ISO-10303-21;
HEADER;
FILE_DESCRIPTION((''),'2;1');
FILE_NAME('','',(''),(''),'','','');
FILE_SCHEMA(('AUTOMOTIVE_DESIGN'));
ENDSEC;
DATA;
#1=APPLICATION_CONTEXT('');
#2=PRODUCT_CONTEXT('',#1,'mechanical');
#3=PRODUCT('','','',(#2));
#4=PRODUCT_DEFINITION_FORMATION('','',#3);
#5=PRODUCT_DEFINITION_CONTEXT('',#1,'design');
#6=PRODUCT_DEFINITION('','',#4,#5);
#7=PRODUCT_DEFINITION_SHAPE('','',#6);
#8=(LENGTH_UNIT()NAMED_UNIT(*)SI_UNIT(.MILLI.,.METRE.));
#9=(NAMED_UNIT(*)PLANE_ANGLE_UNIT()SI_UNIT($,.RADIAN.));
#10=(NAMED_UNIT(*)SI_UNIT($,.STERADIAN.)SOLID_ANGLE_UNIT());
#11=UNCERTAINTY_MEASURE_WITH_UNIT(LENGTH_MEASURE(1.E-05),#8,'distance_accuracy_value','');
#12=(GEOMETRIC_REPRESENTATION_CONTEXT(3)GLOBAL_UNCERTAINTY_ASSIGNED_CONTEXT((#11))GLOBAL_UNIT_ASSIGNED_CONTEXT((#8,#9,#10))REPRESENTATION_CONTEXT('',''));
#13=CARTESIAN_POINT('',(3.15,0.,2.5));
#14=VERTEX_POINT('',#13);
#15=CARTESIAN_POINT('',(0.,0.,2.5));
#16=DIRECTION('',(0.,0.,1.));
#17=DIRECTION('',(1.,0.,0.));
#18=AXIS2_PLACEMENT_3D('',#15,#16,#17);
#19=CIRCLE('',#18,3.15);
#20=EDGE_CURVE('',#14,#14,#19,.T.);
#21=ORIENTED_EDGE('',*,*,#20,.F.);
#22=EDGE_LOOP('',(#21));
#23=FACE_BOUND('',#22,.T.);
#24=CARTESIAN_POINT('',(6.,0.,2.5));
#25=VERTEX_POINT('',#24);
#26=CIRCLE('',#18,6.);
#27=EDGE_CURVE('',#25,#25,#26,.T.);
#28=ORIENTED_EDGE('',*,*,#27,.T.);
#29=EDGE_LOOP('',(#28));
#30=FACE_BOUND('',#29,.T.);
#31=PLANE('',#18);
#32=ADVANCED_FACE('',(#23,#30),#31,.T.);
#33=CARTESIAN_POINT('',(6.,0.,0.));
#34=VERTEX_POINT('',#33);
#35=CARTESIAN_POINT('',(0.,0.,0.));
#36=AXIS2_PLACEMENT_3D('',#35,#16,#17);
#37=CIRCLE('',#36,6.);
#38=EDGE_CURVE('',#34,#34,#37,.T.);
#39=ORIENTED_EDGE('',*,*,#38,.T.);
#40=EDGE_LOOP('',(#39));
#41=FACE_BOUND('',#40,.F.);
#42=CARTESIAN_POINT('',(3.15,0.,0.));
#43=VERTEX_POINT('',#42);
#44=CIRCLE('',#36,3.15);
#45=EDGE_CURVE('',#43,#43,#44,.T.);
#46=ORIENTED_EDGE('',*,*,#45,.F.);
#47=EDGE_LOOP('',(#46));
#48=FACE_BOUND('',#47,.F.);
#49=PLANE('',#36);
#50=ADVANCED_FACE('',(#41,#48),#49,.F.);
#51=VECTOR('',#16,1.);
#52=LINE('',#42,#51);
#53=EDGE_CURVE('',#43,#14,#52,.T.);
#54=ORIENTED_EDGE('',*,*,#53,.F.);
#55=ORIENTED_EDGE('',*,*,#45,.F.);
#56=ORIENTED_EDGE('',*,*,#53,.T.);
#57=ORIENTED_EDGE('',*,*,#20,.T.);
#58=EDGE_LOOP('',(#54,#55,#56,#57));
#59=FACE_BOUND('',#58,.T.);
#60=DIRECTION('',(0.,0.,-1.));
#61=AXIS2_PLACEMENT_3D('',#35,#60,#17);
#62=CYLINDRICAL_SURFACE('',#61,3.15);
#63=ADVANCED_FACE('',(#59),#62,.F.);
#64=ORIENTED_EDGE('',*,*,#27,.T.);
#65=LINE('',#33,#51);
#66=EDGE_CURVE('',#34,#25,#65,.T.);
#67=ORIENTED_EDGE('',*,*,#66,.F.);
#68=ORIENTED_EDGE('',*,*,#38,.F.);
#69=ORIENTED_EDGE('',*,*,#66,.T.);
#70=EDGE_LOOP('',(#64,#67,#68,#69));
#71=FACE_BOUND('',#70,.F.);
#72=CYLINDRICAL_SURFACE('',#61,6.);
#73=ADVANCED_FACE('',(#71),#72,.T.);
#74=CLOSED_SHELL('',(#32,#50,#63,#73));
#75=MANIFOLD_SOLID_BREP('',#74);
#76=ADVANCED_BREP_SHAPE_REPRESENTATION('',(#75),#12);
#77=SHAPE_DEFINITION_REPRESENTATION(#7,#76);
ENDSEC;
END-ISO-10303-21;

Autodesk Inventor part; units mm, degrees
ref_plane "YZ Plane" through (0, 0, 0) normal (1, 0, 0) x (0, 1, 0)
ref_plane "XZ Plane" through (0, 0, 0) normal (0, 1, 0) x (-1, 0, 0)
ref_plane "XY Plane" through (0, 0, 0) normal (0, 0, 1) x (1, 0, 0)
sketch "スケッチ1" plane through (0, 0, 0) normal (0, 0, 1) x (1, 0, 0)
  circle A0 centre (0, 0) radius 3.15
  circle A1 centre (0, 0) radius 6
  dimension "d0" = 6.3
  dimension "d1" = 12
extrude "押し出し1" add sketch "スケッチ1" along normal blind 2.5
properties part number "CC-0612-25" material "アセタール樹脂、黒"
